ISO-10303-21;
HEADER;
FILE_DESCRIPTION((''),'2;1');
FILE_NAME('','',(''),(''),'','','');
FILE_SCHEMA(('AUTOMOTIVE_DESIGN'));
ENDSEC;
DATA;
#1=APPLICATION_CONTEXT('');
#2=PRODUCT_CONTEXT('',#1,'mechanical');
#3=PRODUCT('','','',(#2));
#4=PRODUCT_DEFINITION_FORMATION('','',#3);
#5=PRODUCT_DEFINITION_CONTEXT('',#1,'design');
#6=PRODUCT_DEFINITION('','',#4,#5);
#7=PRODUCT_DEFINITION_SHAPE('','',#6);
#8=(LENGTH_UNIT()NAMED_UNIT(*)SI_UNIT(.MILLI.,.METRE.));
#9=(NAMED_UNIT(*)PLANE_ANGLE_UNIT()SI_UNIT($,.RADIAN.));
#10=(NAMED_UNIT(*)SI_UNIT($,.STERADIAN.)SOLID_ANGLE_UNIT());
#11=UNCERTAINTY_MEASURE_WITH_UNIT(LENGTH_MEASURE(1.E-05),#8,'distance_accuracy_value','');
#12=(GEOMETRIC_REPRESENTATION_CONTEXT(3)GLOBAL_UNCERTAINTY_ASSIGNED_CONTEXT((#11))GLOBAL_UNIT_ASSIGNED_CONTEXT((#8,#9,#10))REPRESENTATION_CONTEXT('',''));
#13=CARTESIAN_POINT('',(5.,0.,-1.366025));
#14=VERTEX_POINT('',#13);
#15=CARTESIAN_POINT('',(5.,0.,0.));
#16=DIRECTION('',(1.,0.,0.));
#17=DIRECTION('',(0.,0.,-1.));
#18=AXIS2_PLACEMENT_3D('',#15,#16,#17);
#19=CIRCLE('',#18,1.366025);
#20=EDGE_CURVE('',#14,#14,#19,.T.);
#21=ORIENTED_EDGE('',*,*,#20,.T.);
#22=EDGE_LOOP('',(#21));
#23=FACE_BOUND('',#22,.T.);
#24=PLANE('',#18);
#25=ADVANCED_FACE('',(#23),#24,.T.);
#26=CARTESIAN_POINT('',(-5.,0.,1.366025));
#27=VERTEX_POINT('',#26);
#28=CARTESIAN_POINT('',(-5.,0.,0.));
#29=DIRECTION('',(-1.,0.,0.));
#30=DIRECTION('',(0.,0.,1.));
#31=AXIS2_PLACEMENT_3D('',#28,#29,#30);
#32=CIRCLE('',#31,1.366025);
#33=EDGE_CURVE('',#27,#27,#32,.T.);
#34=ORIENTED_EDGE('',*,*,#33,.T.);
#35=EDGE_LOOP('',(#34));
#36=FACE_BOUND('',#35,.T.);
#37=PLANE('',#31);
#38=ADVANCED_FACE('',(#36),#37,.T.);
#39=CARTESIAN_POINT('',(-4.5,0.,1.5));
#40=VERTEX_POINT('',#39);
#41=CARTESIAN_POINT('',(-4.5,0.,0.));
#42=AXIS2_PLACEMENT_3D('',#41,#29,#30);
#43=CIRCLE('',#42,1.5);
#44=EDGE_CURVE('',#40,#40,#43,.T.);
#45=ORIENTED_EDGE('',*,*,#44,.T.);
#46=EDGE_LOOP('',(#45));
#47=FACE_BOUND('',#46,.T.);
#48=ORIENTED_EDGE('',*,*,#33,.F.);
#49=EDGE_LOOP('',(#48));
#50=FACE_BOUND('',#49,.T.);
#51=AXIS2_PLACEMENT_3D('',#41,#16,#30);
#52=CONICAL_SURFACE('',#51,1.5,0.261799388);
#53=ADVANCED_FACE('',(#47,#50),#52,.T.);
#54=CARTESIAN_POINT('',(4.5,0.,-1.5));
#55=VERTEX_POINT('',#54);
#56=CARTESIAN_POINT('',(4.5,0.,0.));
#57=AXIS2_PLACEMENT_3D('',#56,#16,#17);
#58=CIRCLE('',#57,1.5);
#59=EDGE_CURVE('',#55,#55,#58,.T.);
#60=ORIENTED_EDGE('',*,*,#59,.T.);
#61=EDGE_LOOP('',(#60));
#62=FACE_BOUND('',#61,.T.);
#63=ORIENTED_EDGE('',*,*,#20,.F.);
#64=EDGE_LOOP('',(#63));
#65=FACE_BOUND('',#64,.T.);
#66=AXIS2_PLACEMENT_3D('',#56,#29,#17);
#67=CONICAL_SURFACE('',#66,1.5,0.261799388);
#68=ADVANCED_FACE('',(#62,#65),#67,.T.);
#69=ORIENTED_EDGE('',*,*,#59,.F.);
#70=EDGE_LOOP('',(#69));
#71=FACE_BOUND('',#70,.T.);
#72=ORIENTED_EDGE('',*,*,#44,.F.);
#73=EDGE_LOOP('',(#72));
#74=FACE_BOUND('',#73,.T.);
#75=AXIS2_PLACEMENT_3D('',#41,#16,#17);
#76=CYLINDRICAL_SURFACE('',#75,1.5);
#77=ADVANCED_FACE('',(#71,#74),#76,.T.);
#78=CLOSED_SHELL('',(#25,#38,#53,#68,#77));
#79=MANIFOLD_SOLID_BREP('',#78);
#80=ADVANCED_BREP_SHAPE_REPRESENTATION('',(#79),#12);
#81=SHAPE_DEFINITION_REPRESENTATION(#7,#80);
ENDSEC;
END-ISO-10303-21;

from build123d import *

# Parameters (mm, degrees)
SKETCH2_R           = 1.5
EXTRUDE1_DEPTH      = 4.5
EXTRUDE1_DEPTH_BACK = 4.5
SKETCH3_R           = 1.5
EXTRUDE2_DEPTH      = 0.5
EXTRUDE2_TAPER      = 15
SKETCH4_R           = 1.5
EXTRUDE3_DEPTH      = 0.5
EXTRUDE3_TAPER      = 15


with BuildPart() as part:
    # Sketch2 → Extrude1 (new body, two sides)
    with BuildSketch(Plane(origin=(0, 0, 0), x_dir=(0, 0, -1), z_dir=(1, 0, 0))) as extrude1_sk:
        Circle(SKETCH2_R)
    extrude(amount=EXTRUDE1_DEPTH)
    extrude(extrude1_sk.sketch, amount=-EXTRUDE1_DEPTH_BACK)

    # Sketch3 → Extrude2 (add)
    with BuildSketch(Plane(origin=(4.5, 0, 0), x_dir=(0, 0, -1), z_dir=(1, 0, 0))):
        Circle(SKETCH3_R)
    extrude(amount=EXTRUDE2_DEPTH, taper=EXTRUDE2_TAPER)

    # Sketch4 → Extrude3 (add)
    with BuildSketch(Plane.ZY.offset(4.5)):
        Circle(SKETCH4_R)
    extrude(amount=EXTRUDE3_DEPTH, taper=EXTRUDE3_TAPER)


solid = part.part
